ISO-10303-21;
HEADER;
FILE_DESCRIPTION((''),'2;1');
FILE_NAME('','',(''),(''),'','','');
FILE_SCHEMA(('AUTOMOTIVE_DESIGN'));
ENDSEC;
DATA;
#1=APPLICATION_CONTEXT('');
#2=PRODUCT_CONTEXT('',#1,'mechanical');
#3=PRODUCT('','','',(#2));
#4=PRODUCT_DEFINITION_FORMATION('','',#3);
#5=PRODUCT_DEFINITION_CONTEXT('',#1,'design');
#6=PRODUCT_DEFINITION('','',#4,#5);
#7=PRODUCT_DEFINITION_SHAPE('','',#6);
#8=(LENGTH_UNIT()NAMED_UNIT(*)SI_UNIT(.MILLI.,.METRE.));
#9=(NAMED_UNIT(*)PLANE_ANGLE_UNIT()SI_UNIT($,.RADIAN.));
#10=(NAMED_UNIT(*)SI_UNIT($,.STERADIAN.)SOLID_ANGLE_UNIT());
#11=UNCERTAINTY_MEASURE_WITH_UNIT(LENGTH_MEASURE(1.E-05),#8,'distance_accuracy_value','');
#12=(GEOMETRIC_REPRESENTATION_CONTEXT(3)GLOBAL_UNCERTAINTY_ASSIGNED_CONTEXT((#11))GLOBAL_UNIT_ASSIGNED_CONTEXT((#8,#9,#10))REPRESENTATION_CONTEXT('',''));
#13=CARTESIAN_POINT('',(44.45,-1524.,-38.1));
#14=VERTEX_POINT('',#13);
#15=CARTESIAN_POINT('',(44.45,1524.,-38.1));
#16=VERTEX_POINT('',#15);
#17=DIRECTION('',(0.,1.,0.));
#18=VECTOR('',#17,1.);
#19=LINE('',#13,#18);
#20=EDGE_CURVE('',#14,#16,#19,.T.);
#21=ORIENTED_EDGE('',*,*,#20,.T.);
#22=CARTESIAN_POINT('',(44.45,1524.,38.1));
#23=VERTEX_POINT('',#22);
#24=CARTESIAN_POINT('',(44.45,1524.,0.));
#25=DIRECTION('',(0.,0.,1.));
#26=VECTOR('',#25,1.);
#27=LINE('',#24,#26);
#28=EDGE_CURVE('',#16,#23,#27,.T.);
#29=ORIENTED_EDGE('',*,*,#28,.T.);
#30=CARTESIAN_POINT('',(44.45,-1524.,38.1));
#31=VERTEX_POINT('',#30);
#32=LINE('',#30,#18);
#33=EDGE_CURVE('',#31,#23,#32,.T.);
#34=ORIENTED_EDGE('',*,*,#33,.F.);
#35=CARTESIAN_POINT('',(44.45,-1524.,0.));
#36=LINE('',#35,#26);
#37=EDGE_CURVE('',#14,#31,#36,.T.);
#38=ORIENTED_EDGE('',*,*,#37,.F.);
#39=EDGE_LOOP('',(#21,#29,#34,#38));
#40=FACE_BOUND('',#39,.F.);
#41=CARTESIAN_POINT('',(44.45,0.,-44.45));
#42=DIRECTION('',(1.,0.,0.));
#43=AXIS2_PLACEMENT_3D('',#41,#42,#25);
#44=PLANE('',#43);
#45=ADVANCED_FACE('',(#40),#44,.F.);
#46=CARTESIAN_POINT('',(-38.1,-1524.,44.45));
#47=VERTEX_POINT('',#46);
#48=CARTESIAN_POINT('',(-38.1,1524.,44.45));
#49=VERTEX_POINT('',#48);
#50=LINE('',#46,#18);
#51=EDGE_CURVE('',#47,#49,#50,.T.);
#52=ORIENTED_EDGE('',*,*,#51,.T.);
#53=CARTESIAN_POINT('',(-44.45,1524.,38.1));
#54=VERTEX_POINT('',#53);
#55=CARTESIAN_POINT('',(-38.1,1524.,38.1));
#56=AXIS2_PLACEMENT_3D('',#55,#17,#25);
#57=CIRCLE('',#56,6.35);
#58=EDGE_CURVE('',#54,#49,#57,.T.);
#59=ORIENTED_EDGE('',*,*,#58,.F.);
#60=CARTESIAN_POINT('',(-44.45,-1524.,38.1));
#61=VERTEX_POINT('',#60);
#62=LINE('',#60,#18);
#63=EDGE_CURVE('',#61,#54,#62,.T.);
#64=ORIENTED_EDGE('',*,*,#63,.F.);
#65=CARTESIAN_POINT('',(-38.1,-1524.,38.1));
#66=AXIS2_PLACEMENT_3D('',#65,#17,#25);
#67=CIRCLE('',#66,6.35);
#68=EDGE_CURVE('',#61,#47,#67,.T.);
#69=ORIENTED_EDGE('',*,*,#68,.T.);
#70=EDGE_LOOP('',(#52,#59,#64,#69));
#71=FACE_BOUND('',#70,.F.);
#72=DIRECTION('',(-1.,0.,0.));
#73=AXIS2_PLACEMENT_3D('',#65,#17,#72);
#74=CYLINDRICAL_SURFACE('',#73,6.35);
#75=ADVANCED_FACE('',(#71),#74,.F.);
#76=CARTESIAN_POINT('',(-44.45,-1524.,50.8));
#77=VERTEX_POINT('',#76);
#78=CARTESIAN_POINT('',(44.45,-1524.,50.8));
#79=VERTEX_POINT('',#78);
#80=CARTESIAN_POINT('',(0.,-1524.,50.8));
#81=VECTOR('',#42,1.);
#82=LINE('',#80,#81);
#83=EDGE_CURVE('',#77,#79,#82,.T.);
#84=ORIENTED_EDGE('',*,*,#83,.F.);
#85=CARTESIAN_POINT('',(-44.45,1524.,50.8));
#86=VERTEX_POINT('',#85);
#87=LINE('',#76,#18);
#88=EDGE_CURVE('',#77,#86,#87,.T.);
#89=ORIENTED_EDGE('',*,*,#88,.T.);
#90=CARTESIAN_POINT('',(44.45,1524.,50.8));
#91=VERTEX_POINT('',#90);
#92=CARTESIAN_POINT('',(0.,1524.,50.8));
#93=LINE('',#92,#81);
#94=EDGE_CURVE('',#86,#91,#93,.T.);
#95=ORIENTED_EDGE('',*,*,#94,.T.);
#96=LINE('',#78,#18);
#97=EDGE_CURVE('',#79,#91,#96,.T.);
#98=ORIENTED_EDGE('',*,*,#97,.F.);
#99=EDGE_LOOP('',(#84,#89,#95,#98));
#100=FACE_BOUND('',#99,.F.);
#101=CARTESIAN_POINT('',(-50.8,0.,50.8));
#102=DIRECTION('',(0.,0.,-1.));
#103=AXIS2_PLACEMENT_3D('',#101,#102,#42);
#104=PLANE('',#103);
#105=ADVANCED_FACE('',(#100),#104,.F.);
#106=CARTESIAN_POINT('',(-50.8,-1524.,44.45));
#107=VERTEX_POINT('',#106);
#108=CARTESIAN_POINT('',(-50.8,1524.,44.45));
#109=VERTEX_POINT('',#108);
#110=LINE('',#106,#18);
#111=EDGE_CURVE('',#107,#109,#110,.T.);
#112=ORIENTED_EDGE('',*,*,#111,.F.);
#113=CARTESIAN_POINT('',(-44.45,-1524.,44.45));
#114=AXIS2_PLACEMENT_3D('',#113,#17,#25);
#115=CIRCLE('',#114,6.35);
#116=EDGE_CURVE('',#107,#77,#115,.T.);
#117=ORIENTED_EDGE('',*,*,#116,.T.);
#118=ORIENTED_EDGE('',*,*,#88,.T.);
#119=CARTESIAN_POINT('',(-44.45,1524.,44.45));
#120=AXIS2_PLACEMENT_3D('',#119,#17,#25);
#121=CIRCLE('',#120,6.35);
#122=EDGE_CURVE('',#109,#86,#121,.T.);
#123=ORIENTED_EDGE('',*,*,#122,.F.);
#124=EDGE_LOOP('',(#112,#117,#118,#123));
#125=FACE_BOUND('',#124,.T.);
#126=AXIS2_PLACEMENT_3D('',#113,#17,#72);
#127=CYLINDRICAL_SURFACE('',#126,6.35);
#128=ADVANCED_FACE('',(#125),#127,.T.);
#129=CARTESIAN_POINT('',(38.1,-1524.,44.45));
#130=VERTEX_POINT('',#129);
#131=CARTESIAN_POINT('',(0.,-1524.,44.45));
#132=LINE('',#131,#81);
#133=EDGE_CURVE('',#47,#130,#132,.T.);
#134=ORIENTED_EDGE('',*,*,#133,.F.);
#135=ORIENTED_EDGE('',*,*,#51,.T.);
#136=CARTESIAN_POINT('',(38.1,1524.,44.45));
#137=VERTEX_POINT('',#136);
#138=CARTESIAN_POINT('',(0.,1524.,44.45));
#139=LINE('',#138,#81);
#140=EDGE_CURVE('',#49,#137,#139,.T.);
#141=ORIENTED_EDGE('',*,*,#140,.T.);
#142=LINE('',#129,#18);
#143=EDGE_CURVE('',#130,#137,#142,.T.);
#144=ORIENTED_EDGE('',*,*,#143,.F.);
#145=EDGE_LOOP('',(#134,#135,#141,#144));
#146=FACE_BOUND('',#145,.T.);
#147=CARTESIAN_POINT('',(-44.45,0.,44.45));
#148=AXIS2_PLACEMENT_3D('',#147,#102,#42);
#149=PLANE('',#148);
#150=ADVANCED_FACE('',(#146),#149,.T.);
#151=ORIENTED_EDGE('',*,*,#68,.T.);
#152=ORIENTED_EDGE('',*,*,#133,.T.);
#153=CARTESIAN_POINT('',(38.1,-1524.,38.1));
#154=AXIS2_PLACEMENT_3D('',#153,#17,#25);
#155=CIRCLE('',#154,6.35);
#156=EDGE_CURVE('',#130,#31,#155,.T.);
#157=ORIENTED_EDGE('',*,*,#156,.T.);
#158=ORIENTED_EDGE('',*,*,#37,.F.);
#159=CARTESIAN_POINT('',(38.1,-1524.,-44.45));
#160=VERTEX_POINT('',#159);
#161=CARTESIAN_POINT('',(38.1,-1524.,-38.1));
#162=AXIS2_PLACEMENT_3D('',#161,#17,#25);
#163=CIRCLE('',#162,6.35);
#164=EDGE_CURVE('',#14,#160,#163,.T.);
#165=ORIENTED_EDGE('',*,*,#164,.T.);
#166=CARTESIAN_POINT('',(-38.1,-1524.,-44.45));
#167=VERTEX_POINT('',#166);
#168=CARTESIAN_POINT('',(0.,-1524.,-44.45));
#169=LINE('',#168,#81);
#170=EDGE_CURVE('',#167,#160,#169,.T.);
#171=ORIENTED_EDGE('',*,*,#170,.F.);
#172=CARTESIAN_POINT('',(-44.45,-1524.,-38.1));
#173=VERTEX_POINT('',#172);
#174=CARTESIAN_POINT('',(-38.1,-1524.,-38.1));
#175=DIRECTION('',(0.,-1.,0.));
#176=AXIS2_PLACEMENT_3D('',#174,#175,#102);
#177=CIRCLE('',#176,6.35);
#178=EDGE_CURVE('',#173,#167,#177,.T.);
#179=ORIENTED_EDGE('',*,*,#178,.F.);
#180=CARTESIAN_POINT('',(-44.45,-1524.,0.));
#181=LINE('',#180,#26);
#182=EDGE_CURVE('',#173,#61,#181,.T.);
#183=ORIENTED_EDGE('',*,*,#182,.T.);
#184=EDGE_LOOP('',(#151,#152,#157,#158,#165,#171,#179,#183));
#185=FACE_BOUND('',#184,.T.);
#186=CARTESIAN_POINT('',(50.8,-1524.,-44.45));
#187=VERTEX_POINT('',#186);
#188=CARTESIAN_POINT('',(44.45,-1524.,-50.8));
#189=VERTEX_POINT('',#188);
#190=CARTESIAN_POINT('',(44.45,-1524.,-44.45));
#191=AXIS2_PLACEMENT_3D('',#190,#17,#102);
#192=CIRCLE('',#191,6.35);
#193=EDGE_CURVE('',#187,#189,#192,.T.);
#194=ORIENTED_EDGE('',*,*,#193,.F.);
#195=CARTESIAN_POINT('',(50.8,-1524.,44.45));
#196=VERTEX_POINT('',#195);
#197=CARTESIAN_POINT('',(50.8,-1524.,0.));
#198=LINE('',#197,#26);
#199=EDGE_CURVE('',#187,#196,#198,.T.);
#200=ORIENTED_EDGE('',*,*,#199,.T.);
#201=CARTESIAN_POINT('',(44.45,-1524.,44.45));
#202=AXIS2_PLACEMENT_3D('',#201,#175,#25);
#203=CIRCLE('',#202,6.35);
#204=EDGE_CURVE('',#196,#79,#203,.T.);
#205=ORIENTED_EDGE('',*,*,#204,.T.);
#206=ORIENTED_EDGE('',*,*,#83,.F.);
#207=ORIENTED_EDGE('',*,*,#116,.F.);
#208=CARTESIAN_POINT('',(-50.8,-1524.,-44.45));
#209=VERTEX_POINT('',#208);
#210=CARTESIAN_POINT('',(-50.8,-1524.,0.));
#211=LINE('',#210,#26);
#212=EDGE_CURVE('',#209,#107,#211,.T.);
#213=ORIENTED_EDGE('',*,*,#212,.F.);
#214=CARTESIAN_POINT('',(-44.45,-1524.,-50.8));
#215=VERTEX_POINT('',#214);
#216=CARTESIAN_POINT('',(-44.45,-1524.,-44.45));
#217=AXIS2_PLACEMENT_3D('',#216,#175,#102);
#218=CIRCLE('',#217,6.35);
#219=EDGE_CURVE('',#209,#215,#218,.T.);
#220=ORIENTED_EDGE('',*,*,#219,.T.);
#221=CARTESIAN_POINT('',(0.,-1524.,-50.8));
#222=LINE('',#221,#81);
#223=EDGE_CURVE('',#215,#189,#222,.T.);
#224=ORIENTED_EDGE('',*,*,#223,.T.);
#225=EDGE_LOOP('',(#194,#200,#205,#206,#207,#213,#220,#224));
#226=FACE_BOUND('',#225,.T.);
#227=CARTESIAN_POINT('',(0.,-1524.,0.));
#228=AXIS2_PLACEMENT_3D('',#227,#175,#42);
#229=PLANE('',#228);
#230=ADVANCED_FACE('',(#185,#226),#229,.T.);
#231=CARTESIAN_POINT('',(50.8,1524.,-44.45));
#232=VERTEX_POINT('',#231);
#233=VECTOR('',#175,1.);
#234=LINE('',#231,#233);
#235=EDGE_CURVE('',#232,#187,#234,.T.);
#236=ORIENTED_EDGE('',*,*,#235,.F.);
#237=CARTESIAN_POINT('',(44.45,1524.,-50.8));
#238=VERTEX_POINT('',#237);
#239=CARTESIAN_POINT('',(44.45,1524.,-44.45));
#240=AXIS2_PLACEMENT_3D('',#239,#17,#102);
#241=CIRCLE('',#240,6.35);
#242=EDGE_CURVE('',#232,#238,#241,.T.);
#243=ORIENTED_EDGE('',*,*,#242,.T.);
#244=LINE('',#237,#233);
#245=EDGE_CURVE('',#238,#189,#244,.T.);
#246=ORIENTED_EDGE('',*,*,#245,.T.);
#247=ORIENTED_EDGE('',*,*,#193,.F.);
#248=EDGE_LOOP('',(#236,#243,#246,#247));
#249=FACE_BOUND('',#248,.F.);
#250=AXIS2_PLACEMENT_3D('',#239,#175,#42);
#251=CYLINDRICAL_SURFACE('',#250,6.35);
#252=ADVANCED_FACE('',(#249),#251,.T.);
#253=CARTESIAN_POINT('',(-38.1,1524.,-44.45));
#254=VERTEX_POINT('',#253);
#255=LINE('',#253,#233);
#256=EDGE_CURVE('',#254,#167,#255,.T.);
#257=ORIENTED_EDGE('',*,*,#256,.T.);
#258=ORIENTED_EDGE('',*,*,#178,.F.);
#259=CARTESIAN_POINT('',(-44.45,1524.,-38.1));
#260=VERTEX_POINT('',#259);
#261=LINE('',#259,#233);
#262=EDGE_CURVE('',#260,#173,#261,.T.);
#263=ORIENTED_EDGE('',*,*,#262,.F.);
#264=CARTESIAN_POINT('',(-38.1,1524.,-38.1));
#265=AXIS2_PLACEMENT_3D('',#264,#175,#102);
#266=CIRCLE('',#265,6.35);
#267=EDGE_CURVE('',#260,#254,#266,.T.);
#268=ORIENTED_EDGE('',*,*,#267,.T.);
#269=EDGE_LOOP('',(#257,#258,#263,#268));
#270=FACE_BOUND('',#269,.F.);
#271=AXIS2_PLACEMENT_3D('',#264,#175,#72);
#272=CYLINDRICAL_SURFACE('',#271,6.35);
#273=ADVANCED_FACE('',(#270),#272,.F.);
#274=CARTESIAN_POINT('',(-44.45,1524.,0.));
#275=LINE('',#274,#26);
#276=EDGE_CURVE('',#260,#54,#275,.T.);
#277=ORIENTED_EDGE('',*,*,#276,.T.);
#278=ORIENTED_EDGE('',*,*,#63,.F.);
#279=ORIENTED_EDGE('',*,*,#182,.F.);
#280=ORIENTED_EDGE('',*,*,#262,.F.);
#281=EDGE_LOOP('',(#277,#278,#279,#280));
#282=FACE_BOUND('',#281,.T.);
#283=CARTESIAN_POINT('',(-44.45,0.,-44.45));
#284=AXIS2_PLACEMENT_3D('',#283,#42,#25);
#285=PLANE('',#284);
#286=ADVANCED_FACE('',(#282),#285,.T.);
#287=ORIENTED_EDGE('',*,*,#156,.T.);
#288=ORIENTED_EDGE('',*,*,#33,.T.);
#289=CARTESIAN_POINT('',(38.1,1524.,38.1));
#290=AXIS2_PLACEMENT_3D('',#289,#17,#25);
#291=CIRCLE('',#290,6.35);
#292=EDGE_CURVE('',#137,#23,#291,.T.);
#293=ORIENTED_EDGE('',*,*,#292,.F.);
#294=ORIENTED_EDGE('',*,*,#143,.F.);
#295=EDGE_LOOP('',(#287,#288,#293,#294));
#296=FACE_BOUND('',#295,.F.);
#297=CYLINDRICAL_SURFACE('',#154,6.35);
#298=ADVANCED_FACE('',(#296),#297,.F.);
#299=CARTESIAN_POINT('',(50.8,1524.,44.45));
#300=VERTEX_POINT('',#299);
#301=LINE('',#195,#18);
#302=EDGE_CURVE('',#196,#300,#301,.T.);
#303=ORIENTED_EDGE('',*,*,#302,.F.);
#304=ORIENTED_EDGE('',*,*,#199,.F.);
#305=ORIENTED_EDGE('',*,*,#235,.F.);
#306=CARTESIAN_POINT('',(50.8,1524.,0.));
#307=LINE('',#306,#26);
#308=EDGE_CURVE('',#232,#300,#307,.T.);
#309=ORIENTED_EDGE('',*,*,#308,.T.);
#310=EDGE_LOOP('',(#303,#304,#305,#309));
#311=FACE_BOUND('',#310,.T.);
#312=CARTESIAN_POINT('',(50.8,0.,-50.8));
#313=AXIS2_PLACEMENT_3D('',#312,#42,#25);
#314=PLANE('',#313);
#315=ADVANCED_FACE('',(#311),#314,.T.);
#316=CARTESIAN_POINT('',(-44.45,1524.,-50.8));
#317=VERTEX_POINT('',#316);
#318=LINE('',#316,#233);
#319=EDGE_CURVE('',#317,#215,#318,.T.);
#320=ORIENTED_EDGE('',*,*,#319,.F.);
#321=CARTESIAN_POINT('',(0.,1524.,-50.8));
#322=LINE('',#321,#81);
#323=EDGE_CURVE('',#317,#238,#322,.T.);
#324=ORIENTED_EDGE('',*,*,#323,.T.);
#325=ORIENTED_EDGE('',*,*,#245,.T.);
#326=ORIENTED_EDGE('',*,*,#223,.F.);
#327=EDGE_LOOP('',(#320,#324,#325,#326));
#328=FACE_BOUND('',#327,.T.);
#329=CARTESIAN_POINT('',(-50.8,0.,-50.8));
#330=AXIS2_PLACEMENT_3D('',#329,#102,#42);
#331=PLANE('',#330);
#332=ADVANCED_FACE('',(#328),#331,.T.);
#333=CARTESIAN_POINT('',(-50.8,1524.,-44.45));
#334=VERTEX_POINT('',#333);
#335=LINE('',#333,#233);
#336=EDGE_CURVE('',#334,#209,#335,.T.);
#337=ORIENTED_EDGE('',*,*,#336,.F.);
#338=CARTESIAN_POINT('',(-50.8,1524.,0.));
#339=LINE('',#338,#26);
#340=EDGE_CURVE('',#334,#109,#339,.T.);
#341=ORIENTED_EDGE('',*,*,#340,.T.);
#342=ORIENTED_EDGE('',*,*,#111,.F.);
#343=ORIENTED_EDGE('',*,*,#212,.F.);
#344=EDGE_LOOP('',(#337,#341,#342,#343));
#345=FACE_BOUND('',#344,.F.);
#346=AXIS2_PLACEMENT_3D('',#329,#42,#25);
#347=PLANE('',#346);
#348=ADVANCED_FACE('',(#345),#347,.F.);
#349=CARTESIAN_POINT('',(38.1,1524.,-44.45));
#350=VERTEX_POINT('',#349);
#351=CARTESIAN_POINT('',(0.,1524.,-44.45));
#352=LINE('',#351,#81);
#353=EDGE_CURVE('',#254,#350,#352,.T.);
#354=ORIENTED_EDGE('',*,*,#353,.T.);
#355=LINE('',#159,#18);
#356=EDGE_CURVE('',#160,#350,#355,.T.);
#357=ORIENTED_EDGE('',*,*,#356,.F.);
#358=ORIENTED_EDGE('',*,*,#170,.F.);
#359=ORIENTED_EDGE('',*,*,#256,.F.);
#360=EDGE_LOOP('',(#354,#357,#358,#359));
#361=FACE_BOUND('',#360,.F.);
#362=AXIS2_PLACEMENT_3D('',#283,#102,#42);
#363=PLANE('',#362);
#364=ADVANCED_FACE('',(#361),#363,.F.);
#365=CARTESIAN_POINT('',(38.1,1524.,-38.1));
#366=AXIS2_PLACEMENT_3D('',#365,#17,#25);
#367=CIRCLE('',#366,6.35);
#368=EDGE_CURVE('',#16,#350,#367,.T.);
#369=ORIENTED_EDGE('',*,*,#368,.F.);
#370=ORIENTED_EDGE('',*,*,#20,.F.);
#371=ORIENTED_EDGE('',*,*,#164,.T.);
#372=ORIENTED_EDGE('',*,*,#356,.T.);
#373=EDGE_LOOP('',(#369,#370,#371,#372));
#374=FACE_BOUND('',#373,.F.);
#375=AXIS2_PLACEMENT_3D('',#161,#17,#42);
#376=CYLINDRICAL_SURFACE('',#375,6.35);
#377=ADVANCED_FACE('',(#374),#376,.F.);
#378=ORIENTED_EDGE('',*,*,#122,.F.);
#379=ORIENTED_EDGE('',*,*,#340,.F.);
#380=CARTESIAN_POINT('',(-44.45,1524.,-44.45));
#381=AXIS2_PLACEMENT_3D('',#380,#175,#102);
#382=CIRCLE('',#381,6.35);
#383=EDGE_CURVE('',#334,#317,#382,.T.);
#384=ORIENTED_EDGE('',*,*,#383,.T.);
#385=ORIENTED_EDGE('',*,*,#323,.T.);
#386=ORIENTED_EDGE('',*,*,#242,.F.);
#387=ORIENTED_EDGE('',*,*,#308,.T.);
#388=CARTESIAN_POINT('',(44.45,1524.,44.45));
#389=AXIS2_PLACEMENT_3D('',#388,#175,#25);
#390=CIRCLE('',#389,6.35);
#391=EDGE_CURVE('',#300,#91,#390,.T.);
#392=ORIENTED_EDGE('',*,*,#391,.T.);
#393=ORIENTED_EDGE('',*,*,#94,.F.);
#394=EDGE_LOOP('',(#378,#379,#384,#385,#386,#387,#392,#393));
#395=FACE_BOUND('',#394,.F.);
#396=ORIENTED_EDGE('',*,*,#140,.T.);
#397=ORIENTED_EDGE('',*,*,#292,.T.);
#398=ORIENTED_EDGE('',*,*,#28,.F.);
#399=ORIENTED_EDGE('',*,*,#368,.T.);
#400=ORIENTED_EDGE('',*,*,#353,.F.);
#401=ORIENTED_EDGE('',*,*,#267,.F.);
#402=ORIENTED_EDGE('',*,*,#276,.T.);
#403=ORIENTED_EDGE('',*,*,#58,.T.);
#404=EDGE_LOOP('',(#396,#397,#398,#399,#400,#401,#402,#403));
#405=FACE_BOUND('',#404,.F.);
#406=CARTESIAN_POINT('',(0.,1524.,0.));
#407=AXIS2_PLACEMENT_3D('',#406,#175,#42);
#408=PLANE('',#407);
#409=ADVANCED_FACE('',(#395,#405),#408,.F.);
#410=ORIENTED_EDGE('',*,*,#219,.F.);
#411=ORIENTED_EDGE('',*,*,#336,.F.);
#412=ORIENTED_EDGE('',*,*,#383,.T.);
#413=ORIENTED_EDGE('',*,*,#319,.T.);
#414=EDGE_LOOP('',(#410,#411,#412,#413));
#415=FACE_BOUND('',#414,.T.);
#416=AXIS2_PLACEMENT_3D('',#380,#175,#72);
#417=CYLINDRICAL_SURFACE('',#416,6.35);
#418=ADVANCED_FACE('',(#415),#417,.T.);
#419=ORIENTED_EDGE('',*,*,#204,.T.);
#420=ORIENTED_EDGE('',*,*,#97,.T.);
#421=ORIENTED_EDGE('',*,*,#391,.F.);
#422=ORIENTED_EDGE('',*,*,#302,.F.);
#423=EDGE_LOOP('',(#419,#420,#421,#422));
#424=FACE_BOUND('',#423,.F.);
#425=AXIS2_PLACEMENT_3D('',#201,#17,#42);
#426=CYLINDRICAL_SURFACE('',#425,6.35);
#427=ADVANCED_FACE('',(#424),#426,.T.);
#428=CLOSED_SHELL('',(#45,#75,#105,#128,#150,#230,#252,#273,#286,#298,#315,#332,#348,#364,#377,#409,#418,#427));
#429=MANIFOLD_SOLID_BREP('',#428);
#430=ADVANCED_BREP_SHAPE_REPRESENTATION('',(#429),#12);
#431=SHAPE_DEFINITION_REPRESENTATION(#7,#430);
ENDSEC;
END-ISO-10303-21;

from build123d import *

# Parameters (mm, degrees)
F0_W     = 101.6
F0_H     = 101.6
F0_W_2   = 88.9
F0_H_2   = 88.9
F1_DEPTH = 1524
F2_R     = 6.35


with BuildPart() as f1:
    # F0 (on Front) → F1 (new body, symmetric)
    with BuildSketch(Plane.XZ):
        Rectangle(F0_W, F0_H)
        Rectangle(F0_W_2, F0_H_2, mode=Mode.SUBTRACT)
    extrude(amount=F1_DEPTH, both=True)

    # F2
    f2_edges = [f1.edges().sort_by_distance(p)[0] for p in [
        (-50.8, 0, 50.8),
        (-50.8, 0, -50.8),
        (50.8, 0, 50.8),
        (50.8, 0, -50.8),
        (-44.45, 0, -44.45),
        (-44.45, 0, 44.45),
        (44.45, 0, -44.45),
        (44.45, 0, 44.45),
    ]]
    fillet(f2_edges, radius=F2_R)


solid = f1.part
